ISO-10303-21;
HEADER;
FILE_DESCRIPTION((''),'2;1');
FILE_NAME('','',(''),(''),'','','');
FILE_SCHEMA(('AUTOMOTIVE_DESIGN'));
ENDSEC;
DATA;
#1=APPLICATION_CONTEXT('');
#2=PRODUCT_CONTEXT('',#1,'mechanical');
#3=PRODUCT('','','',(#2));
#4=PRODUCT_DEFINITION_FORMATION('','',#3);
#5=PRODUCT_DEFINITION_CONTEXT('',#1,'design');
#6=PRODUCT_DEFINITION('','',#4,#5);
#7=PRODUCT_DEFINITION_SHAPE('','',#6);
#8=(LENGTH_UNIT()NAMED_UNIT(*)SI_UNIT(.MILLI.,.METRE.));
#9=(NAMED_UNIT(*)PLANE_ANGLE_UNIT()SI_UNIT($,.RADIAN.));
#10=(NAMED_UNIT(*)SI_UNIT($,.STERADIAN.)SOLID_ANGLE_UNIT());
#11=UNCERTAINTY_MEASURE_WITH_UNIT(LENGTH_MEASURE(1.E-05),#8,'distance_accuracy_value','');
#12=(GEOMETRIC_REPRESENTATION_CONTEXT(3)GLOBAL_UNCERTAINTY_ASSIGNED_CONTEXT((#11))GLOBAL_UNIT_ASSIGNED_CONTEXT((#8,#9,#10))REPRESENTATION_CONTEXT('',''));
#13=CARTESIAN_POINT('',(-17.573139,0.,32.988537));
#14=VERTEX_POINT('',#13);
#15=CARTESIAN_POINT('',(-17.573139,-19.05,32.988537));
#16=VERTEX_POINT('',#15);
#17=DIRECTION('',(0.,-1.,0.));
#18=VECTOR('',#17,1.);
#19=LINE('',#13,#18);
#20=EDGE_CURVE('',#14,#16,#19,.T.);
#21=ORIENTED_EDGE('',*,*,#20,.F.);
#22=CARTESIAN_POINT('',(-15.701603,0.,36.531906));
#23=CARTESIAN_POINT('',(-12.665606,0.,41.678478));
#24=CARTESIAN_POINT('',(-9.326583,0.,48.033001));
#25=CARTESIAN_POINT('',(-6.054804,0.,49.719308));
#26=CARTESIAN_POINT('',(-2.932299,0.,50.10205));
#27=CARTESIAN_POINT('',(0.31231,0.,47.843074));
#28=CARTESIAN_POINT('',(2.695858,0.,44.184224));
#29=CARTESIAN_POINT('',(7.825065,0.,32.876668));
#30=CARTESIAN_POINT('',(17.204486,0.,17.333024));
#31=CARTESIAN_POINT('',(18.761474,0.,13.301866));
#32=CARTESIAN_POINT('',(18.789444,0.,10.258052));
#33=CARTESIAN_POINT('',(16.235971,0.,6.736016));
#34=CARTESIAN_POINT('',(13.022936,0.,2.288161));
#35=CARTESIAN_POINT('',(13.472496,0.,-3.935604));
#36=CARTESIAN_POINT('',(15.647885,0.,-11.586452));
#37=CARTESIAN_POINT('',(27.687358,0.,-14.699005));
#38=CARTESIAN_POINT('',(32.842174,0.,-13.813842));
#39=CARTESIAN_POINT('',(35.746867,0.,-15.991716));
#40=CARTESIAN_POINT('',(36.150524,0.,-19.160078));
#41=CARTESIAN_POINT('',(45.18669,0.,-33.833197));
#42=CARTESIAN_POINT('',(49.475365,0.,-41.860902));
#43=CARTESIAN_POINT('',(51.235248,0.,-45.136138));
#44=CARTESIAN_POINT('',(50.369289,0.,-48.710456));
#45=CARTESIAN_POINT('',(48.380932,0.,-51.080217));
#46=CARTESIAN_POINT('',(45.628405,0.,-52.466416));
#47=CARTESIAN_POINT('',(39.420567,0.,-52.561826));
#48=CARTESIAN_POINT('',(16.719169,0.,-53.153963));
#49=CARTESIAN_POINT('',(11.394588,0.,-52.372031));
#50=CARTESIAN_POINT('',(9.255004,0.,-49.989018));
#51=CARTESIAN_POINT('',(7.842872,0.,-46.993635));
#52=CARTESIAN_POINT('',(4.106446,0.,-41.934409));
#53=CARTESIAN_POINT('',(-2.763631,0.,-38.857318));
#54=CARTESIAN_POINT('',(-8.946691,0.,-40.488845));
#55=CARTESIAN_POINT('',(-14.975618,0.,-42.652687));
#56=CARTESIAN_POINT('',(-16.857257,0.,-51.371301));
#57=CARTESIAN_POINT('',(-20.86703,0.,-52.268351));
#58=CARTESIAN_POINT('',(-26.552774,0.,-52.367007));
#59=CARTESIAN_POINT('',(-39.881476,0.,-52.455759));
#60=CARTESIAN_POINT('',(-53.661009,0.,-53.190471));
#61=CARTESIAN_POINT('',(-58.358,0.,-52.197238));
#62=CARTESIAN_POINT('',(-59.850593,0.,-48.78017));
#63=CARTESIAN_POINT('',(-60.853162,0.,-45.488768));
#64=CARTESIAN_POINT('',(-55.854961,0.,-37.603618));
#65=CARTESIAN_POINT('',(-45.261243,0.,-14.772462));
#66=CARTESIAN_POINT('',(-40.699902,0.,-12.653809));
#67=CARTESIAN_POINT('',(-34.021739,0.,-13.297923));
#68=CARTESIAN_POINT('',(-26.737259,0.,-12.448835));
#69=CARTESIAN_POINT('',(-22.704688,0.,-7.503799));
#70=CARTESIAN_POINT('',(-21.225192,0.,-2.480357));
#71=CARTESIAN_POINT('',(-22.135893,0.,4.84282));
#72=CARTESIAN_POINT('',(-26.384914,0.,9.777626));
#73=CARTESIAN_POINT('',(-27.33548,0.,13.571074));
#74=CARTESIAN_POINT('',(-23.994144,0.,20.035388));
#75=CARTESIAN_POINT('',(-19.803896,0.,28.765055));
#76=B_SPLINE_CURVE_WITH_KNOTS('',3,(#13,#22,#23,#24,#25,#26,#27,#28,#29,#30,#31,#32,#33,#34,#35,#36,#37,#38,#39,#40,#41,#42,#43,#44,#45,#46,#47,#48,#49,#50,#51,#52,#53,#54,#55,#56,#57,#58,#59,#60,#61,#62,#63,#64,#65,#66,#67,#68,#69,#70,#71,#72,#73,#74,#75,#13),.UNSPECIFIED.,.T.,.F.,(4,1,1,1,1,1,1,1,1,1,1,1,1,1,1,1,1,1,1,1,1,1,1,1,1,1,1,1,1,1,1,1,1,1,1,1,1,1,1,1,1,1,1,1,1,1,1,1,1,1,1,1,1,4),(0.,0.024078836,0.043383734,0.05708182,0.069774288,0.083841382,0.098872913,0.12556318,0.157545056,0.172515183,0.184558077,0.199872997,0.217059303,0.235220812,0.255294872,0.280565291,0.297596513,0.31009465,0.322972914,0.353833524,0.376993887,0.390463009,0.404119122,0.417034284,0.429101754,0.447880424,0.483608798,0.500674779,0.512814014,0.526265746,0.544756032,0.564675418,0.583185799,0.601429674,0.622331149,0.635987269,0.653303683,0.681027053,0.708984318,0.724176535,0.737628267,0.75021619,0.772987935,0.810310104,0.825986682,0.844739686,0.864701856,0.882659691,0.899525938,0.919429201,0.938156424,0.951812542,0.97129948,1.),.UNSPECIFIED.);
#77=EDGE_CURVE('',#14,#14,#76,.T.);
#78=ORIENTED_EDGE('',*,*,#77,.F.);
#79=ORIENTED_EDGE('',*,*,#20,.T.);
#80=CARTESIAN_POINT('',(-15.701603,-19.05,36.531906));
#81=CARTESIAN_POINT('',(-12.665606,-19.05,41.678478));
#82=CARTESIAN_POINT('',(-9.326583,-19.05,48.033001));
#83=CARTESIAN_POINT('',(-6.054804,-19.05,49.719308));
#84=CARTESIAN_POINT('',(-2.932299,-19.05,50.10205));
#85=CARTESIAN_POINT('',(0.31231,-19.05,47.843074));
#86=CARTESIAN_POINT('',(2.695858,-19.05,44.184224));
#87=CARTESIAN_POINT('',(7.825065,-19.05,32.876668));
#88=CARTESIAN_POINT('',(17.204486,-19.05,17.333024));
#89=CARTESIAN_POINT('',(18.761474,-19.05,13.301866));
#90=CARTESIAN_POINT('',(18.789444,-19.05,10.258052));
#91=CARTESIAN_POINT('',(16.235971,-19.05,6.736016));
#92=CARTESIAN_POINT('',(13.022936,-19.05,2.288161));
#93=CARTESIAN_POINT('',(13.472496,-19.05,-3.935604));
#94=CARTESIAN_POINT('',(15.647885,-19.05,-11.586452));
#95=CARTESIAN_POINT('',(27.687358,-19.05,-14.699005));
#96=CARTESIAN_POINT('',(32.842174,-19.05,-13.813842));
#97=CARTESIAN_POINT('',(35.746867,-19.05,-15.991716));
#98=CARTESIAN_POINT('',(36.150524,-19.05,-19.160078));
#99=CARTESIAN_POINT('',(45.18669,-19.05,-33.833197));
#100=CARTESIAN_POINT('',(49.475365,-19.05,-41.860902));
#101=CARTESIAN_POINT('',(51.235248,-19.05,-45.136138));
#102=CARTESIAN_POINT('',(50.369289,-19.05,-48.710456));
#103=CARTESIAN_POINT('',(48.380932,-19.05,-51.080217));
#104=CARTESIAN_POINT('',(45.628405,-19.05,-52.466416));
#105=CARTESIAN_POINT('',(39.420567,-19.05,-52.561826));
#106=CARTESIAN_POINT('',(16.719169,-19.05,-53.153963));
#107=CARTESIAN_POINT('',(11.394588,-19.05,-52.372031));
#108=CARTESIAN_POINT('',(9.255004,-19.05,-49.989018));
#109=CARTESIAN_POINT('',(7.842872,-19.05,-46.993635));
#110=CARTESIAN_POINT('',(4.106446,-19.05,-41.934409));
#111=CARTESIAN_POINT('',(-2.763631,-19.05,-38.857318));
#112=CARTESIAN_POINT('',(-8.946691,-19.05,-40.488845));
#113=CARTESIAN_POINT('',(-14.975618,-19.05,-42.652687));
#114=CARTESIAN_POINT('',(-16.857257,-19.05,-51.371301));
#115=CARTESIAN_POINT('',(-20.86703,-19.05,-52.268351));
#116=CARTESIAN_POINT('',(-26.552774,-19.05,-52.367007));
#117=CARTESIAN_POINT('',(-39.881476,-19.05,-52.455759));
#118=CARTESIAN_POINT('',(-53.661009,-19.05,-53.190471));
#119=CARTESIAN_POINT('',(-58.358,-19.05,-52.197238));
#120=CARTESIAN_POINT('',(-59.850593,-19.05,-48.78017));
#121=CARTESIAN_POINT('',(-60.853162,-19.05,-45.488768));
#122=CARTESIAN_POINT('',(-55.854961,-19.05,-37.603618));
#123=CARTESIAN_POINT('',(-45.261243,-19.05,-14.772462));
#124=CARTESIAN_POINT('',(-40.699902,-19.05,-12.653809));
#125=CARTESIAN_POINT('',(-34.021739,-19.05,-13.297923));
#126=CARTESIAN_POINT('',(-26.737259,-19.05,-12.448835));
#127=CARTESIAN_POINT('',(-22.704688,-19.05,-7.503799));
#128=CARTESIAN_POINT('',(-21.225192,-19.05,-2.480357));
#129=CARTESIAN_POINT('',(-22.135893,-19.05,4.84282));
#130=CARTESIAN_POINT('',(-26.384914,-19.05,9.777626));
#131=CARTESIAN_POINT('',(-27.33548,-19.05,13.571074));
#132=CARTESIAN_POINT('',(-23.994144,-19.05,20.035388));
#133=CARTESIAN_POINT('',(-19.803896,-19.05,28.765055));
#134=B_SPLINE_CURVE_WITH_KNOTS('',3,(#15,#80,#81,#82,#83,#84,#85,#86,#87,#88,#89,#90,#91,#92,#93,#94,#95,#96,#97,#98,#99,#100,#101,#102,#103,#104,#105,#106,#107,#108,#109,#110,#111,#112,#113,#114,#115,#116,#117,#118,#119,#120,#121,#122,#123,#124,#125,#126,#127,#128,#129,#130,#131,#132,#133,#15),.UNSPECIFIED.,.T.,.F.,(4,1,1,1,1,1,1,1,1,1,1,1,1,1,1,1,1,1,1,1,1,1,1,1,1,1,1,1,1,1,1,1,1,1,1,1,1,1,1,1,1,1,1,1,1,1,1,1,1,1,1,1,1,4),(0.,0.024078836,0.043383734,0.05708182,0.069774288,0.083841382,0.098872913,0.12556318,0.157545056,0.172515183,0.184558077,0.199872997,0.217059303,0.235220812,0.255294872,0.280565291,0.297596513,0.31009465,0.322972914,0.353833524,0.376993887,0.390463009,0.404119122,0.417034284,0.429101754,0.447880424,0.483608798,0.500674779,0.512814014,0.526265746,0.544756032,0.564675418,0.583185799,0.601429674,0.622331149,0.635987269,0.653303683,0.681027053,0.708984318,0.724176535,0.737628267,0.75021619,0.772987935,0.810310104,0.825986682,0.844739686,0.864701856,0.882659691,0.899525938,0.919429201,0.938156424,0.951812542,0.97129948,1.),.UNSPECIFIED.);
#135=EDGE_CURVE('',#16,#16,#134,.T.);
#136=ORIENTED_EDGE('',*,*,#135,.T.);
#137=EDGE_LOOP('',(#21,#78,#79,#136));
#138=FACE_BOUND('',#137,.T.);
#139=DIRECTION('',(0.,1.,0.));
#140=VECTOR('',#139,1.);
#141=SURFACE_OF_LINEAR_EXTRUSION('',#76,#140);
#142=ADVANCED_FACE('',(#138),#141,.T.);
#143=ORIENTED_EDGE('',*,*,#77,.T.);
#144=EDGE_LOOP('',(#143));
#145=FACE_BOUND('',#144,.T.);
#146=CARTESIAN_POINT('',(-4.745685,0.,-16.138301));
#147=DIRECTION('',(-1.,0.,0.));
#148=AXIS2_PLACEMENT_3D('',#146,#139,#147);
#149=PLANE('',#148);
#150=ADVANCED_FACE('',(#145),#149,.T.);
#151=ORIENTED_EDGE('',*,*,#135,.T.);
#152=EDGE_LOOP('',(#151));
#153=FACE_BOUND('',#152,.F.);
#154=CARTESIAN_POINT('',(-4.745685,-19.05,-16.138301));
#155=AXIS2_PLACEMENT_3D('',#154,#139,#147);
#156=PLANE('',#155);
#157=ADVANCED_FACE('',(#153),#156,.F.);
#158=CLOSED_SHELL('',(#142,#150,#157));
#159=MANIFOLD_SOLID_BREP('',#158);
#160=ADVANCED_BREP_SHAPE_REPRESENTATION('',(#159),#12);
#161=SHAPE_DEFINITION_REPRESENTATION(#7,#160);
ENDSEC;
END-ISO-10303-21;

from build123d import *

# Parameters (mm, degrees)
F1_DEPTH = 19.05


with BuildPart() as f1:
    # F0 (on Front) → F1 (new body)
    with BuildSketch(Plane.XZ):
        with BuildLine():
            add(Edge.make_bspline(
                [(-17.5731386989, 32.9885371029), (-15.7016030764, 36.5319062901), (-12.6656062726, 41.6784783189), (-9.3265828178, 48.033001162), (-6.054804469, 49.7193083786), (-2.9322986342, 50.1020503994), (0.3123103541, 47.8430742666), (2.6958577089, 44.1842237568), (7.8250651326, 32.8766683672), (17.2044856616, 17.3330239377), (18.7614739281, 13.301865785), (18.7894441429, 10.2580523965), (16.2359710497, 6.7360164712), (13.0229360994, 2.2881613958), (13.4724958384, -3.93560412), (15.6478854876, -11.5864524154), (27.6873575361, -14.6990049533), (32.842173652, -13.8138421977), (35.7468674382, -15.9917155596), (36.1505243967, -19.1600781417), (45.1866901838, -33.8331973678), (49.4753647545, -41.8609024196), (51.2352482778, -45.1361376555), (50.3692894394, -48.7104563934), (48.3809318428, -51.0802166077), (45.6284048158, -52.4664160651), (39.4205668108, -52.5618256614), (16.7191685965, -53.1539634211), (11.3945876227, -52.3720310971), (9.2550036162, -49.9890176812), (7.8428724579, -46.9936348214), (4.1064457842, -41.9344090805), (-2.7636307614, -38.857318078), (-8.946691282, -40.4888447282), (-14.9756183045, -42.652687019), (-16.8572572565, -51.3713005802), (-20.8670302364, -52.2683513321), (-26.55277376, -52.367007075), (-39.8814755175, -52.4557588572), (-53.6610088558, -53.1904710611), (-58.3579996226, -52.1972382775), (-59.8505925232, -48.780170151), (-60.8531617724, -45.4887684685), (-55.8549609598, -37.603617829), (-45.26124338, -14.7724620269), (-40.699901613, -12.653808745), (-34.021739054, -13.2979233989), (-26.7372594172, -12.4488347382), (-22.7046879369, -7.5037989831), (-21.2251920611, -2.4803566784), (-22.135892766, 4.842819967), (-26.3849142157, 9.7776264683), (-27.3354799559, 13.5710740212), (-23.9941436391, 20.0353881711), (-19.8038961958, 28.7650549084), (-17.5731386989, 32.9885371029)],
                knots=[0, 0, 0, 0, 0.0240788365, 0.0433837341, 0.0570818201, 0.069774288, 0.0838413817, 0.0988729127, 0.1255631801, 0.1575450562, 0.1725151826, 0.1845580769, 0.1998729972, 0.2170593026, 0.2352208124, 0.2552948718, 0.2805652911, 0.2975965128, 0.3100946496, 0.3229729144, 0.3538335243, 0.3769938866, 0.3904630093, 0.4041191215, 0.417034284, 0.4291017544, 0.4478804242, 0.4836087979, 0.5006747794, 0.512814014, 0.526265746, 0.5447560321, 0.5646754181, 0.5831857986, 0.6014296744, 0.622331149, 0.6359872691, 0.6533036833, 0.6810270528, 0.7089843177, 0.724176535, 0.737628267, 0.7502161901, 0.7729879345, 0.8103101041, 0.8259866817, 0.8447396856, 0.8647018557, 0.8826596906, 0.8995259379, 0.9194292012, 0.9381564236, 0.9518125417, 0.9712994802, 1, 1, 1, 1], degree=3))
        make_face()
    extrude(amount=F1_DEPTH)


solid = f1.part
